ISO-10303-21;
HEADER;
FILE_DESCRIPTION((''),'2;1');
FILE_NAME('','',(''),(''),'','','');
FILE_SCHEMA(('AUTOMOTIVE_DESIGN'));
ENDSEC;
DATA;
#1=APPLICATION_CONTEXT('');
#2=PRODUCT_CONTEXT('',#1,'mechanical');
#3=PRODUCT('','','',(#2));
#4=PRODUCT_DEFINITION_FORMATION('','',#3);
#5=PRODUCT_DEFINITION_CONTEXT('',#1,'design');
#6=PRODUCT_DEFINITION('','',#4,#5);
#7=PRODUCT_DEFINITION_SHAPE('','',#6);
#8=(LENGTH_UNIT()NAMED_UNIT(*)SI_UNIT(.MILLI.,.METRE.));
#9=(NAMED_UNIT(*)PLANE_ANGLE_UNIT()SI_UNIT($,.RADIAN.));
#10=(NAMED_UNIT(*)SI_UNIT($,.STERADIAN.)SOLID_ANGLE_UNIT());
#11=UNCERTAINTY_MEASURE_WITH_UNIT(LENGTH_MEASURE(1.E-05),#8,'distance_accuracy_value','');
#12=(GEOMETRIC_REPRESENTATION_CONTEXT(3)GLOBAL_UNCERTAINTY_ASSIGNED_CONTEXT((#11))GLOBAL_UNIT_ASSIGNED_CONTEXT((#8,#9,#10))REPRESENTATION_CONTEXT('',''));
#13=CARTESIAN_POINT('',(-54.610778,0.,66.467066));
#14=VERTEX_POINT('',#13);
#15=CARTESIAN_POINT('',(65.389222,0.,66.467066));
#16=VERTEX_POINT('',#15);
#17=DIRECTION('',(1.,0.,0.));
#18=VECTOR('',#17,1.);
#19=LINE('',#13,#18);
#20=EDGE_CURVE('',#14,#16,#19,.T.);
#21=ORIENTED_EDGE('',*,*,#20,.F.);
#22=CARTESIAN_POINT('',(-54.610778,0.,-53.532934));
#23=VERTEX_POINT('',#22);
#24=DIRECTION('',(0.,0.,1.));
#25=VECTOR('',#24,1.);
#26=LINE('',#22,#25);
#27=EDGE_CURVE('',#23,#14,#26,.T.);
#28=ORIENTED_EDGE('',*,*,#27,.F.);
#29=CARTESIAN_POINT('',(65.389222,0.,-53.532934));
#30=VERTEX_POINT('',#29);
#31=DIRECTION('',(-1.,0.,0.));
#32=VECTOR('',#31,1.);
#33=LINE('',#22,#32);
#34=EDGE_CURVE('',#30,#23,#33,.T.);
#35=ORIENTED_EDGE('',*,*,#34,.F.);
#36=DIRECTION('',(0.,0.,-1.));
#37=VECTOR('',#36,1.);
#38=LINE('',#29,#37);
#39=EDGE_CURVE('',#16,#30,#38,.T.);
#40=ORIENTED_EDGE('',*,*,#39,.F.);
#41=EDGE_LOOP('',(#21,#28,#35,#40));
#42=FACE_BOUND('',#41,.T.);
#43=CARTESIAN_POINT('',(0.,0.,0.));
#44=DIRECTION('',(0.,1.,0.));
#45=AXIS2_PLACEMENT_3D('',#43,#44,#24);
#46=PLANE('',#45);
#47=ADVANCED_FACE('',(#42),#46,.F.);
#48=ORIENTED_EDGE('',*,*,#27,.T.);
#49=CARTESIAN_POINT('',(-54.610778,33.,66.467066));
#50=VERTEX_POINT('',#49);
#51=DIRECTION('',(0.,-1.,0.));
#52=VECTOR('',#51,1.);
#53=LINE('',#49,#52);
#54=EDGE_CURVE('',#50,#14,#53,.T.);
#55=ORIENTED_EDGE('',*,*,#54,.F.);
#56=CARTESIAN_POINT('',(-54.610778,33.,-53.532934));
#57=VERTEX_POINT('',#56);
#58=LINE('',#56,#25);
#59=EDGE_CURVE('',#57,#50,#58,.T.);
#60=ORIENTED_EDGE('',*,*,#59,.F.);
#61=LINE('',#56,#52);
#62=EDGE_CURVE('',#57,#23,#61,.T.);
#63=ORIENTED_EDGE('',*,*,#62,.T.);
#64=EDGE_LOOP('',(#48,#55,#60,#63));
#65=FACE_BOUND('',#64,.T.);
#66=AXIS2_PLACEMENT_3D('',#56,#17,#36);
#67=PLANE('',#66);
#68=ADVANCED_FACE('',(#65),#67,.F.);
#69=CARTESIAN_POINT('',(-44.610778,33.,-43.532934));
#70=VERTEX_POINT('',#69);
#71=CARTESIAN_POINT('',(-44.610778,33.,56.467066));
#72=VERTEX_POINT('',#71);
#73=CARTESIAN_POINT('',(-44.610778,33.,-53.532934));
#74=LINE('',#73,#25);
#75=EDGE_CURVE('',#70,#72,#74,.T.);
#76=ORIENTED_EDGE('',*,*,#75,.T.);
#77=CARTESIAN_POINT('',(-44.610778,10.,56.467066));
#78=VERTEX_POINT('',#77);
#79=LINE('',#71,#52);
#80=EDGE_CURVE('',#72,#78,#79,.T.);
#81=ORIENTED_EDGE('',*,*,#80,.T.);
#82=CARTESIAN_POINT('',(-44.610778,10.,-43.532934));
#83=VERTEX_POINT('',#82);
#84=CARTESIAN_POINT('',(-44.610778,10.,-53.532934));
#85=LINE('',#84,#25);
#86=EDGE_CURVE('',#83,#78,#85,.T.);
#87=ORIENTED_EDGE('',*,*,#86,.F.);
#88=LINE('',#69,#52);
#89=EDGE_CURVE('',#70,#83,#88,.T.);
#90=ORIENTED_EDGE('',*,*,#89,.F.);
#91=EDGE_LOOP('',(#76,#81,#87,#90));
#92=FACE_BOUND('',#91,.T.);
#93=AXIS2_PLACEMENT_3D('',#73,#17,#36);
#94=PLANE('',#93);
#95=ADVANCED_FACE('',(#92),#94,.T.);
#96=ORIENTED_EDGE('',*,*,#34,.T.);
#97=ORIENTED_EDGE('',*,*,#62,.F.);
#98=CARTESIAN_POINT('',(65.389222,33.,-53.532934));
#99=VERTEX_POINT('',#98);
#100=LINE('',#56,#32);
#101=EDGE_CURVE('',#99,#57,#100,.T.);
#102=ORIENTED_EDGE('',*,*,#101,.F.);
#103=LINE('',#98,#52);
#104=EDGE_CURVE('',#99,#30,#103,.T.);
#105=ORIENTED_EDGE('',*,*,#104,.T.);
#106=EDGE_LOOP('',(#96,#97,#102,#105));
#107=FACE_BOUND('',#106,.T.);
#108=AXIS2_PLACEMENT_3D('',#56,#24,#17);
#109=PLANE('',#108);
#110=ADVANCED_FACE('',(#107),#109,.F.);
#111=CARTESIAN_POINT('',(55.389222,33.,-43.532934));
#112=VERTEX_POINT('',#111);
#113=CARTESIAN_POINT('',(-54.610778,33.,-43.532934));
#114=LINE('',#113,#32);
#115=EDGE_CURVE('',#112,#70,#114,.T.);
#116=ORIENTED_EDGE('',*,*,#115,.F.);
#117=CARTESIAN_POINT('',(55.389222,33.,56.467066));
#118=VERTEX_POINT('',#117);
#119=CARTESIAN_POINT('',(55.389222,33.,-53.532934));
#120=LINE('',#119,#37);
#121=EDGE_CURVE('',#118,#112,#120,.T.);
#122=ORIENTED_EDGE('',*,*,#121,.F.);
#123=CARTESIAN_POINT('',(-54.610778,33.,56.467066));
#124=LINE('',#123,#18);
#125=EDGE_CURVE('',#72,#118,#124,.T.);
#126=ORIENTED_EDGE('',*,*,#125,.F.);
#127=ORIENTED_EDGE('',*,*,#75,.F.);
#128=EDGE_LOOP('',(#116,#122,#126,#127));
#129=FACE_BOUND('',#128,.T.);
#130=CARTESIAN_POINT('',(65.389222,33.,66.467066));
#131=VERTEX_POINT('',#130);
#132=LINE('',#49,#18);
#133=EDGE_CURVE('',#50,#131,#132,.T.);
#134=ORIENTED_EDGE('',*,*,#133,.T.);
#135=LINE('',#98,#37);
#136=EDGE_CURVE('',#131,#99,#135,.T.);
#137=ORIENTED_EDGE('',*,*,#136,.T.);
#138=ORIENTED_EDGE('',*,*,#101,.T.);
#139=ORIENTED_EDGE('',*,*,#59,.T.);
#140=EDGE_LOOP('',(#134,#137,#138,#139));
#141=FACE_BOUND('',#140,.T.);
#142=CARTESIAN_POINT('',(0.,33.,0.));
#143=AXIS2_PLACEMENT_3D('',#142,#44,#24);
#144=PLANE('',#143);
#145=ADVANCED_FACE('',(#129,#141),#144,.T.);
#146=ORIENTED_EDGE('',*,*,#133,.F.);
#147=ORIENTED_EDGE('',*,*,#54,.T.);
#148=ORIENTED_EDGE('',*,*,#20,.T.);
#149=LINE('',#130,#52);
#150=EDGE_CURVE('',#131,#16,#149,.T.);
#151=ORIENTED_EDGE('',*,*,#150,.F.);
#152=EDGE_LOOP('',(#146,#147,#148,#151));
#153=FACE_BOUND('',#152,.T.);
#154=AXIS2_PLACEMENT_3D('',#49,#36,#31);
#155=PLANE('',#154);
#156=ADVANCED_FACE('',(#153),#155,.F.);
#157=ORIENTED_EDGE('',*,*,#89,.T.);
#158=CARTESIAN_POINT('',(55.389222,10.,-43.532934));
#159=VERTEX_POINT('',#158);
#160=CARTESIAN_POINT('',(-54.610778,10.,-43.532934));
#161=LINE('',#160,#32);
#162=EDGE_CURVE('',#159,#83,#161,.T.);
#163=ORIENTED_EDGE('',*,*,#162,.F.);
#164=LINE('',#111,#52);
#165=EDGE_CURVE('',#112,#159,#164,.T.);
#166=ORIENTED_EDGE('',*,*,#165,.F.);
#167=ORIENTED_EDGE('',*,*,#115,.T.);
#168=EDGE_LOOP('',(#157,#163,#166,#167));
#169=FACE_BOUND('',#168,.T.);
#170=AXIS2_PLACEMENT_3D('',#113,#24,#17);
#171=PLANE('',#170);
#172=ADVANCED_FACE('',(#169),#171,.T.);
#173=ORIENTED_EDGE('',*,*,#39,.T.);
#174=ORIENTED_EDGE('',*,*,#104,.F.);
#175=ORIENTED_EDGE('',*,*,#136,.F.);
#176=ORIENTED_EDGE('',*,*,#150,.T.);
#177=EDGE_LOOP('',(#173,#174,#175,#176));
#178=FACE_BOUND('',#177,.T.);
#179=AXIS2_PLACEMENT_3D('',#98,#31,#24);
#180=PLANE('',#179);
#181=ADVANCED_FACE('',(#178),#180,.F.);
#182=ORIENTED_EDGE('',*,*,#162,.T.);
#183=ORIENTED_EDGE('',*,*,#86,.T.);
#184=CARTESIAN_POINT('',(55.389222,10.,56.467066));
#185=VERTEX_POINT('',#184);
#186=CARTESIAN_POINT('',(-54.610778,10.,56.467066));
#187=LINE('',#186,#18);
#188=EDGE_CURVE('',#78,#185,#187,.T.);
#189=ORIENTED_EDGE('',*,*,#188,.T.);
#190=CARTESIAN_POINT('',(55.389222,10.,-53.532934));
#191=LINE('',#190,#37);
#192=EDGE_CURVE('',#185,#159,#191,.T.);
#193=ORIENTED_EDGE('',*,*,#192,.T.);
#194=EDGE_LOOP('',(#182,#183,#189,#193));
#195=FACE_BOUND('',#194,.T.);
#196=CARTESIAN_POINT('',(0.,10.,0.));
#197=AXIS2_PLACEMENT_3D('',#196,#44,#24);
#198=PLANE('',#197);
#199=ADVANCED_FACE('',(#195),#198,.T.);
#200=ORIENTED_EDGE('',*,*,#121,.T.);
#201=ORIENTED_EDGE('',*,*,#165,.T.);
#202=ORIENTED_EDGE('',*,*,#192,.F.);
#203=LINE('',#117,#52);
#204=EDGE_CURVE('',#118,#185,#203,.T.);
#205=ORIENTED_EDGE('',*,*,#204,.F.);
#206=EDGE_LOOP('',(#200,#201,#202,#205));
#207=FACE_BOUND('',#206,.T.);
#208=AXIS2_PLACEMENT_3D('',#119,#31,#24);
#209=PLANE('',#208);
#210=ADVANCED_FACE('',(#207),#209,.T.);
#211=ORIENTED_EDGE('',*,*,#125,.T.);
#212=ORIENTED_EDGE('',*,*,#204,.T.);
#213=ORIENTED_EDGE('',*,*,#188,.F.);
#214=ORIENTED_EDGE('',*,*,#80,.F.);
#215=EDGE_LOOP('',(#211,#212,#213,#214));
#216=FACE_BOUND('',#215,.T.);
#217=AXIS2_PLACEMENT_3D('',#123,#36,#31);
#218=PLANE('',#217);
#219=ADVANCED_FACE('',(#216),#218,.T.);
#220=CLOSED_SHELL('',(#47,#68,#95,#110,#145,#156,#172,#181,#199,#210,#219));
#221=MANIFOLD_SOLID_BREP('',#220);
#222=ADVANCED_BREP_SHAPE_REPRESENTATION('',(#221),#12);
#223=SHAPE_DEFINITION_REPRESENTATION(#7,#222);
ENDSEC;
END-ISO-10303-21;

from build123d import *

# Parameters (mm, degrees)
SKETCH2_W           = 120
SKETCH2_H           = 120
BOSS_EXTRUDE1_DEPTH = 33
SHELL1_T            = -10


with BuildPart() as part:
    # Sketch2 → Boss-Extrude1 (new body)
    with BuildSketch(Plane(origin=(0, 0, 0), x_dir=(1, 0, 0), z_dir=(0, 1, 0))):
        with Locations((5.389221557, -6.467065868)):
            Rectangle(SKETCH2_W, SKETCH2_H)
    extrude(amount=BOSS_EXTRUDE1_DEPTH)

    # Shell1
    shell1_openings = [part.faces().sort_by_distance(p)[0] for p in [
        (5.389221557, 33, 6.467065868),
    ]]
    offset(amount=SHELL1_T, openings=shell1_openings, kind=Kind.INTERSECTION)


solid = part.part
